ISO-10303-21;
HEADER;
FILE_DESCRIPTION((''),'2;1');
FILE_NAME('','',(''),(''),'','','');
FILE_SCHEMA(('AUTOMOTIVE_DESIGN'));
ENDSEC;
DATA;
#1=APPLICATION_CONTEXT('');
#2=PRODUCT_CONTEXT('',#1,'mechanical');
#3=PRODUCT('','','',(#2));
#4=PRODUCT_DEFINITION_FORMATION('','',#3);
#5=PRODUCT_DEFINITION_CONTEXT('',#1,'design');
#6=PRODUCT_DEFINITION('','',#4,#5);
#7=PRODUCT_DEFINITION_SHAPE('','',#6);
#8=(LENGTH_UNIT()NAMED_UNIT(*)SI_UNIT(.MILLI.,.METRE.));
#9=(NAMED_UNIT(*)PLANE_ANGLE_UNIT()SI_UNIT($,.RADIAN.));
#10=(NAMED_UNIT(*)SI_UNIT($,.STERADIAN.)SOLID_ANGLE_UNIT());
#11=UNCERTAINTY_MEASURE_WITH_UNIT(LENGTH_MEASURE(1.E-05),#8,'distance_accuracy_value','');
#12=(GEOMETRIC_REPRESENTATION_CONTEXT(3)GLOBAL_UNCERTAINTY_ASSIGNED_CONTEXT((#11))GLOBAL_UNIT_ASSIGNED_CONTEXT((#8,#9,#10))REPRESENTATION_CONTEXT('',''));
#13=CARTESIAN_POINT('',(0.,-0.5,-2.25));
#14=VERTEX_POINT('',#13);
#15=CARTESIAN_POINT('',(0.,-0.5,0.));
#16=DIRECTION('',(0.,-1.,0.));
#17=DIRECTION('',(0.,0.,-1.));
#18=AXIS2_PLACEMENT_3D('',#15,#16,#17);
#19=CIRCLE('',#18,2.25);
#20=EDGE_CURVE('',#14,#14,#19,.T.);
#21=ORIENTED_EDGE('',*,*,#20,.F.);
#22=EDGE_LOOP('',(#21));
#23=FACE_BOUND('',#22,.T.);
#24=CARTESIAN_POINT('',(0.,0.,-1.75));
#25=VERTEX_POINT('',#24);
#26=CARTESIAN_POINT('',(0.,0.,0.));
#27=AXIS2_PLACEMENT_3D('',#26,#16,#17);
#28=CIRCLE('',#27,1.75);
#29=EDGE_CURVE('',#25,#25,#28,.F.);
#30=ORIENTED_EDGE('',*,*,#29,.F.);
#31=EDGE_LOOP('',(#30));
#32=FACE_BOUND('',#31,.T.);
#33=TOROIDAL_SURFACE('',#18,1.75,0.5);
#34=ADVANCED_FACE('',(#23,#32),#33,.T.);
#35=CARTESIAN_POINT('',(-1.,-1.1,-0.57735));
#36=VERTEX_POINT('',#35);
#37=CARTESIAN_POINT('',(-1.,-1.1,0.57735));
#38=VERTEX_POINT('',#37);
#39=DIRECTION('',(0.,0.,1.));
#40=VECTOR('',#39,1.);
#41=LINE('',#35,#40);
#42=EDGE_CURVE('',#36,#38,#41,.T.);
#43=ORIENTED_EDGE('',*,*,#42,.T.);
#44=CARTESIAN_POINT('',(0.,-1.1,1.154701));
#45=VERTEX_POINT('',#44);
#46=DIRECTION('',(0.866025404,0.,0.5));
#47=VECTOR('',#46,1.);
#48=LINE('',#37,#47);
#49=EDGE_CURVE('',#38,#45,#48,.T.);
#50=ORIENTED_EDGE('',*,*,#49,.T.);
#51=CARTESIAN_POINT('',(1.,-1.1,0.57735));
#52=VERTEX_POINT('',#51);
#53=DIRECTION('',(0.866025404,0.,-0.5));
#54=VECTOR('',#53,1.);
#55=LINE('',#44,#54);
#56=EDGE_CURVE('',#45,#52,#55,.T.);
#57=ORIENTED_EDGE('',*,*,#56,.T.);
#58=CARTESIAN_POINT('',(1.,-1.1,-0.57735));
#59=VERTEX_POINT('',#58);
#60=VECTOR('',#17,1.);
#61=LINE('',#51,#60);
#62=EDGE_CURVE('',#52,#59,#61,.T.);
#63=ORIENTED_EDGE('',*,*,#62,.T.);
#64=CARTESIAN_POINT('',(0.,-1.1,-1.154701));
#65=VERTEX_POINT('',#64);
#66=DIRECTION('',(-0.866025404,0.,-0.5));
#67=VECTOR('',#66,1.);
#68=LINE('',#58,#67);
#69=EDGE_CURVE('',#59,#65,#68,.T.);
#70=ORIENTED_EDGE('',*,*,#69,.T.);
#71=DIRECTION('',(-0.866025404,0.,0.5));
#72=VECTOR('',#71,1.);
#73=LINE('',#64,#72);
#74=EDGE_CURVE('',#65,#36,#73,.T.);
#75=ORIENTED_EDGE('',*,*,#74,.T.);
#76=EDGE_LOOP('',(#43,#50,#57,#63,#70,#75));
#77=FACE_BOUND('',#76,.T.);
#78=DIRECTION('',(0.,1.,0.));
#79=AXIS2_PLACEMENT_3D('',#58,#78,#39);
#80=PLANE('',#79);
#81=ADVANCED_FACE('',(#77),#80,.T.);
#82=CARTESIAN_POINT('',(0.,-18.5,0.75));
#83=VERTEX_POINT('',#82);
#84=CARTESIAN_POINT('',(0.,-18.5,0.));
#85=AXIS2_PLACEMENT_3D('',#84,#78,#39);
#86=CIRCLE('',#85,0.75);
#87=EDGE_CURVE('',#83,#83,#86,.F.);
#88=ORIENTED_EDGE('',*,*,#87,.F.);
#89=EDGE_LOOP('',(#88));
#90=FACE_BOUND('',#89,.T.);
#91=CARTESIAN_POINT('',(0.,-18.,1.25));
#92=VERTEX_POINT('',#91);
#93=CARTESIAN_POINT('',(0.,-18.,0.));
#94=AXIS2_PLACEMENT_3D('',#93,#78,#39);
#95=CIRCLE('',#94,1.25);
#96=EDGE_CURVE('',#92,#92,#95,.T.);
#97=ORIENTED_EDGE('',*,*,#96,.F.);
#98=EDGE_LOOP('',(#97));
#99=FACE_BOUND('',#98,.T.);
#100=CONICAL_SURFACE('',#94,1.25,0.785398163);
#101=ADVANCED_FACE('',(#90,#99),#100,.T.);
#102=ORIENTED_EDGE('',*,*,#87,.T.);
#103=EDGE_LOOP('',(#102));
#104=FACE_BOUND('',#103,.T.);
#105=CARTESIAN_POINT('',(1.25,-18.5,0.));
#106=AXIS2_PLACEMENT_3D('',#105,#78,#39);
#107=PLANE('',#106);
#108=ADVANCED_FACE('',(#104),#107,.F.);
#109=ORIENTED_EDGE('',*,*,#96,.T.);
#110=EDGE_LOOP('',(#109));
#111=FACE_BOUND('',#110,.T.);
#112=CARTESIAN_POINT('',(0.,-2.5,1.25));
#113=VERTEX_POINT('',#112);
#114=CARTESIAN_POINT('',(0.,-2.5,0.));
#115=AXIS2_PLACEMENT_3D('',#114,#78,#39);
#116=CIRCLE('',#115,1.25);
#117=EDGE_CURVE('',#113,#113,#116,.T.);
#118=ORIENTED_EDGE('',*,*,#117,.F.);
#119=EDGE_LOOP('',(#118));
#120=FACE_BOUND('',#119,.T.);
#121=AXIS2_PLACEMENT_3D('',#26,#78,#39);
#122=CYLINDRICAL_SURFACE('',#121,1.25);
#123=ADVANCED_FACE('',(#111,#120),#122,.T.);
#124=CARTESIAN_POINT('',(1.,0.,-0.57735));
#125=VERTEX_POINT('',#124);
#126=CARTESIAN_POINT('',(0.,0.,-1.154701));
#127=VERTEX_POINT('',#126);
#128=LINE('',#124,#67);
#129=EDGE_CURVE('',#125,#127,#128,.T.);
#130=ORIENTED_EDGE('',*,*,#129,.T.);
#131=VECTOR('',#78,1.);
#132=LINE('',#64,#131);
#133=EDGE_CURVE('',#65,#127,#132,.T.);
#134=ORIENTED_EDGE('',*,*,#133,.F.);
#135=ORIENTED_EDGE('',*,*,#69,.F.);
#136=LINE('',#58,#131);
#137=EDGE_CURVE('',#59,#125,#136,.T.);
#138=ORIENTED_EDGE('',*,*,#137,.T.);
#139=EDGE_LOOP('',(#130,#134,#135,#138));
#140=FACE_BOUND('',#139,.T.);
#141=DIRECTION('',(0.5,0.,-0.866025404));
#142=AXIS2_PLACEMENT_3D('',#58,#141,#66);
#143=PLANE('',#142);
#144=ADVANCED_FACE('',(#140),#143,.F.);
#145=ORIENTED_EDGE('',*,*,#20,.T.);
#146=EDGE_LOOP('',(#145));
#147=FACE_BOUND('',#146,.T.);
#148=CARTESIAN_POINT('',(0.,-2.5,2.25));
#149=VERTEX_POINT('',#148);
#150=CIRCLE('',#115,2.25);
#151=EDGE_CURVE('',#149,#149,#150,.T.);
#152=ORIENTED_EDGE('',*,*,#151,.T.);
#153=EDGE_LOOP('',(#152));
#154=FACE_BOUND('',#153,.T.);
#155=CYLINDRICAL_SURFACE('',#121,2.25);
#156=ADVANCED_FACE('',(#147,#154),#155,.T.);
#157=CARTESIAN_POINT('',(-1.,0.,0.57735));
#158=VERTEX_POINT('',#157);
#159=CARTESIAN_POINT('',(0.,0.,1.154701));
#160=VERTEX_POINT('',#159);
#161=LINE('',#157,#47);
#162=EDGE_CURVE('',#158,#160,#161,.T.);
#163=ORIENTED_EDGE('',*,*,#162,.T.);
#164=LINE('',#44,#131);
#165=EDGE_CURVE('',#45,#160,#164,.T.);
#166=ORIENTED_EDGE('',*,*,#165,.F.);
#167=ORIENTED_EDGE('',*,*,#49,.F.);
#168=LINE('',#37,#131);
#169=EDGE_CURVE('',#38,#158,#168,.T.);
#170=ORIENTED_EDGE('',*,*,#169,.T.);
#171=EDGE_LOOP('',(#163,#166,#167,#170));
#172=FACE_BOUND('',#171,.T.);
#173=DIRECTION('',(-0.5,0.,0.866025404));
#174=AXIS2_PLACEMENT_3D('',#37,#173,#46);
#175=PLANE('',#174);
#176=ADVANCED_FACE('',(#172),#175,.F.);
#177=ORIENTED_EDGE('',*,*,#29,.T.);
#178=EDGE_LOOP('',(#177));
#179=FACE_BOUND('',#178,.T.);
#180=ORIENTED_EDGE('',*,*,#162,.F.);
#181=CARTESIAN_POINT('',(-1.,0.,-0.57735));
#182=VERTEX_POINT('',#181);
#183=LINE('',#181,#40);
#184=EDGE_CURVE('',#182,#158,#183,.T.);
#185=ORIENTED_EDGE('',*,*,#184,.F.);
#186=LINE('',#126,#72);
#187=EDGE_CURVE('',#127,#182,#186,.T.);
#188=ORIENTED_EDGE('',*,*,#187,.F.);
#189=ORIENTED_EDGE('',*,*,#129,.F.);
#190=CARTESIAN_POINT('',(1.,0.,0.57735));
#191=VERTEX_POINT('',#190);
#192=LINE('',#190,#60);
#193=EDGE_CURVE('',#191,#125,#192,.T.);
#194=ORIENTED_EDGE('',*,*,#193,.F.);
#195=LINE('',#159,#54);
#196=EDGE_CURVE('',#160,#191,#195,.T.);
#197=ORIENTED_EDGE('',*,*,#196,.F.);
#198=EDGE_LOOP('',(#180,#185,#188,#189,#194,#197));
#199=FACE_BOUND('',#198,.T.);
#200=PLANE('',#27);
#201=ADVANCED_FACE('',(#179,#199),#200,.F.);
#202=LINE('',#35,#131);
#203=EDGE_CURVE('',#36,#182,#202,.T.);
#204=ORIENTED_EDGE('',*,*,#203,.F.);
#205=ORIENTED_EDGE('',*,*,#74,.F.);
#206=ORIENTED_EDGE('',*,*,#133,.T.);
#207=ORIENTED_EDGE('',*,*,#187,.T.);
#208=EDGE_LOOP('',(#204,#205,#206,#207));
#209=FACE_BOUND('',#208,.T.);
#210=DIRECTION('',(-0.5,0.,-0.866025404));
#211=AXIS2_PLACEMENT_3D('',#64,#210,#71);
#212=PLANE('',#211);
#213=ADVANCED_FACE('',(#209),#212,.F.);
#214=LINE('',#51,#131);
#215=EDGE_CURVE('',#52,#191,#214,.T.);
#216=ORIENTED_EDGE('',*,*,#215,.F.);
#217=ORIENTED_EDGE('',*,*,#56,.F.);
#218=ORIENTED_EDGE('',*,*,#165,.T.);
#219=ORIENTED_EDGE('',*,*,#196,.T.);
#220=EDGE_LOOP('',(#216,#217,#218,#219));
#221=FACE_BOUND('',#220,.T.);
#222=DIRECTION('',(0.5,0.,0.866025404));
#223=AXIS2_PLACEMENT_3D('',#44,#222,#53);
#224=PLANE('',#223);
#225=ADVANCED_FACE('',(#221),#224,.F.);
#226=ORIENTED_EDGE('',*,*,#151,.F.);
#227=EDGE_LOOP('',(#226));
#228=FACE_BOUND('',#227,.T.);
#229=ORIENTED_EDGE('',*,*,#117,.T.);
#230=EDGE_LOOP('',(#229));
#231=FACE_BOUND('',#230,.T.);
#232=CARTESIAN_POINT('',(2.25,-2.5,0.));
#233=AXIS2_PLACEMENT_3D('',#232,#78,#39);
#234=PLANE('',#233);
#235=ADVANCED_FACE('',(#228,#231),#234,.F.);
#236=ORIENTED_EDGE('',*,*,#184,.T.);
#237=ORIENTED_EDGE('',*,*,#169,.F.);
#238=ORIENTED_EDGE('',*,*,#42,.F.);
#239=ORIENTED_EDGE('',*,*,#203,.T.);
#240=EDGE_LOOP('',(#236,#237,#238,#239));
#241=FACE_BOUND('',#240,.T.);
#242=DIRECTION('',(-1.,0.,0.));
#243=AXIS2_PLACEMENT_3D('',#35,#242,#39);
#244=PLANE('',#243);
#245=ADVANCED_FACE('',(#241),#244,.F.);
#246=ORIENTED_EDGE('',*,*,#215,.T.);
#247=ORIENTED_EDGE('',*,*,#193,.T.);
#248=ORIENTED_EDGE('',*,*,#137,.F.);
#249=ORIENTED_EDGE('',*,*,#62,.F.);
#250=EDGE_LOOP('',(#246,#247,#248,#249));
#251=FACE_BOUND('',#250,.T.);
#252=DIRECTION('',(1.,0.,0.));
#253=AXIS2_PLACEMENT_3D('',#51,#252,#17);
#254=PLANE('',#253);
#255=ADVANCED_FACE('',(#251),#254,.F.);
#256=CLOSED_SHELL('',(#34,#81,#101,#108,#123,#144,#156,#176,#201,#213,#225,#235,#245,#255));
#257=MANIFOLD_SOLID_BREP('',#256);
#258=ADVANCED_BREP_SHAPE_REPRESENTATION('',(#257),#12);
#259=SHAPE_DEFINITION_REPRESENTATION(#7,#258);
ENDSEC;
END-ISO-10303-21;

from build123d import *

# Parameters (mm, degrees)
CORTAR_EXTRUIR1_DEPTH = 1.1
CHAFL_N1_SIZE         = 0.5
REDONDEO1_R           = 0.5


with BuildPart() as part:
    # Croquis1 → Revolución1 (revolve)
    with BuildSketch(Plane.XY, mode=Mode.PRIVATE) as revoluci_n1_sk:
        Polygon((0, 0), (2.25, 0), (2.25, -2.5), (1.25, -2.5), (1.25, -18.5), (0, -18.5), align=None)
    revolve(revoluci_n1_sk.sketch.rotate(Axis((0, 0, 0), (0, -1, 0)), 90), axis=Axis((0, 0, 0), (0, -1, 0)))

    # Croquis2 → Cortar-Extruir1 (cut)
    with BuildSketch(Plane(origin=(0, 0, 0), x_dir=(1, 0, 0), z_dir=(0, 1, 0))):
        Polygon((1, 0.577350269), (0, 1.154700538), (-1, 0.577350269), (-1, -0.577350269), (0, -1.154700538), (1, -0.577350269), align=None)
    extrude(amount=-CORTAR_EXTRUIR1_DEPTH, mode=Mode.SUBTRACT)

    # Chaflán1
    chafl_n1_edges = [part.edges().sort_by_distance(p)[0] for p in [
        (0, -18.5, -1.25),
    ]]
    chamfer(chafl_n1_edges, length=CHAFL_N1_SIZE)

    # Redondeo1
    redondeo1_edges = [part.edges().sort_by_distance(p)[0] for p in [
        (0, 0, -2.25),
    ]]
    fillet(redondeo1_edges, radius=REDONDEO1_R)


solid = part.part
